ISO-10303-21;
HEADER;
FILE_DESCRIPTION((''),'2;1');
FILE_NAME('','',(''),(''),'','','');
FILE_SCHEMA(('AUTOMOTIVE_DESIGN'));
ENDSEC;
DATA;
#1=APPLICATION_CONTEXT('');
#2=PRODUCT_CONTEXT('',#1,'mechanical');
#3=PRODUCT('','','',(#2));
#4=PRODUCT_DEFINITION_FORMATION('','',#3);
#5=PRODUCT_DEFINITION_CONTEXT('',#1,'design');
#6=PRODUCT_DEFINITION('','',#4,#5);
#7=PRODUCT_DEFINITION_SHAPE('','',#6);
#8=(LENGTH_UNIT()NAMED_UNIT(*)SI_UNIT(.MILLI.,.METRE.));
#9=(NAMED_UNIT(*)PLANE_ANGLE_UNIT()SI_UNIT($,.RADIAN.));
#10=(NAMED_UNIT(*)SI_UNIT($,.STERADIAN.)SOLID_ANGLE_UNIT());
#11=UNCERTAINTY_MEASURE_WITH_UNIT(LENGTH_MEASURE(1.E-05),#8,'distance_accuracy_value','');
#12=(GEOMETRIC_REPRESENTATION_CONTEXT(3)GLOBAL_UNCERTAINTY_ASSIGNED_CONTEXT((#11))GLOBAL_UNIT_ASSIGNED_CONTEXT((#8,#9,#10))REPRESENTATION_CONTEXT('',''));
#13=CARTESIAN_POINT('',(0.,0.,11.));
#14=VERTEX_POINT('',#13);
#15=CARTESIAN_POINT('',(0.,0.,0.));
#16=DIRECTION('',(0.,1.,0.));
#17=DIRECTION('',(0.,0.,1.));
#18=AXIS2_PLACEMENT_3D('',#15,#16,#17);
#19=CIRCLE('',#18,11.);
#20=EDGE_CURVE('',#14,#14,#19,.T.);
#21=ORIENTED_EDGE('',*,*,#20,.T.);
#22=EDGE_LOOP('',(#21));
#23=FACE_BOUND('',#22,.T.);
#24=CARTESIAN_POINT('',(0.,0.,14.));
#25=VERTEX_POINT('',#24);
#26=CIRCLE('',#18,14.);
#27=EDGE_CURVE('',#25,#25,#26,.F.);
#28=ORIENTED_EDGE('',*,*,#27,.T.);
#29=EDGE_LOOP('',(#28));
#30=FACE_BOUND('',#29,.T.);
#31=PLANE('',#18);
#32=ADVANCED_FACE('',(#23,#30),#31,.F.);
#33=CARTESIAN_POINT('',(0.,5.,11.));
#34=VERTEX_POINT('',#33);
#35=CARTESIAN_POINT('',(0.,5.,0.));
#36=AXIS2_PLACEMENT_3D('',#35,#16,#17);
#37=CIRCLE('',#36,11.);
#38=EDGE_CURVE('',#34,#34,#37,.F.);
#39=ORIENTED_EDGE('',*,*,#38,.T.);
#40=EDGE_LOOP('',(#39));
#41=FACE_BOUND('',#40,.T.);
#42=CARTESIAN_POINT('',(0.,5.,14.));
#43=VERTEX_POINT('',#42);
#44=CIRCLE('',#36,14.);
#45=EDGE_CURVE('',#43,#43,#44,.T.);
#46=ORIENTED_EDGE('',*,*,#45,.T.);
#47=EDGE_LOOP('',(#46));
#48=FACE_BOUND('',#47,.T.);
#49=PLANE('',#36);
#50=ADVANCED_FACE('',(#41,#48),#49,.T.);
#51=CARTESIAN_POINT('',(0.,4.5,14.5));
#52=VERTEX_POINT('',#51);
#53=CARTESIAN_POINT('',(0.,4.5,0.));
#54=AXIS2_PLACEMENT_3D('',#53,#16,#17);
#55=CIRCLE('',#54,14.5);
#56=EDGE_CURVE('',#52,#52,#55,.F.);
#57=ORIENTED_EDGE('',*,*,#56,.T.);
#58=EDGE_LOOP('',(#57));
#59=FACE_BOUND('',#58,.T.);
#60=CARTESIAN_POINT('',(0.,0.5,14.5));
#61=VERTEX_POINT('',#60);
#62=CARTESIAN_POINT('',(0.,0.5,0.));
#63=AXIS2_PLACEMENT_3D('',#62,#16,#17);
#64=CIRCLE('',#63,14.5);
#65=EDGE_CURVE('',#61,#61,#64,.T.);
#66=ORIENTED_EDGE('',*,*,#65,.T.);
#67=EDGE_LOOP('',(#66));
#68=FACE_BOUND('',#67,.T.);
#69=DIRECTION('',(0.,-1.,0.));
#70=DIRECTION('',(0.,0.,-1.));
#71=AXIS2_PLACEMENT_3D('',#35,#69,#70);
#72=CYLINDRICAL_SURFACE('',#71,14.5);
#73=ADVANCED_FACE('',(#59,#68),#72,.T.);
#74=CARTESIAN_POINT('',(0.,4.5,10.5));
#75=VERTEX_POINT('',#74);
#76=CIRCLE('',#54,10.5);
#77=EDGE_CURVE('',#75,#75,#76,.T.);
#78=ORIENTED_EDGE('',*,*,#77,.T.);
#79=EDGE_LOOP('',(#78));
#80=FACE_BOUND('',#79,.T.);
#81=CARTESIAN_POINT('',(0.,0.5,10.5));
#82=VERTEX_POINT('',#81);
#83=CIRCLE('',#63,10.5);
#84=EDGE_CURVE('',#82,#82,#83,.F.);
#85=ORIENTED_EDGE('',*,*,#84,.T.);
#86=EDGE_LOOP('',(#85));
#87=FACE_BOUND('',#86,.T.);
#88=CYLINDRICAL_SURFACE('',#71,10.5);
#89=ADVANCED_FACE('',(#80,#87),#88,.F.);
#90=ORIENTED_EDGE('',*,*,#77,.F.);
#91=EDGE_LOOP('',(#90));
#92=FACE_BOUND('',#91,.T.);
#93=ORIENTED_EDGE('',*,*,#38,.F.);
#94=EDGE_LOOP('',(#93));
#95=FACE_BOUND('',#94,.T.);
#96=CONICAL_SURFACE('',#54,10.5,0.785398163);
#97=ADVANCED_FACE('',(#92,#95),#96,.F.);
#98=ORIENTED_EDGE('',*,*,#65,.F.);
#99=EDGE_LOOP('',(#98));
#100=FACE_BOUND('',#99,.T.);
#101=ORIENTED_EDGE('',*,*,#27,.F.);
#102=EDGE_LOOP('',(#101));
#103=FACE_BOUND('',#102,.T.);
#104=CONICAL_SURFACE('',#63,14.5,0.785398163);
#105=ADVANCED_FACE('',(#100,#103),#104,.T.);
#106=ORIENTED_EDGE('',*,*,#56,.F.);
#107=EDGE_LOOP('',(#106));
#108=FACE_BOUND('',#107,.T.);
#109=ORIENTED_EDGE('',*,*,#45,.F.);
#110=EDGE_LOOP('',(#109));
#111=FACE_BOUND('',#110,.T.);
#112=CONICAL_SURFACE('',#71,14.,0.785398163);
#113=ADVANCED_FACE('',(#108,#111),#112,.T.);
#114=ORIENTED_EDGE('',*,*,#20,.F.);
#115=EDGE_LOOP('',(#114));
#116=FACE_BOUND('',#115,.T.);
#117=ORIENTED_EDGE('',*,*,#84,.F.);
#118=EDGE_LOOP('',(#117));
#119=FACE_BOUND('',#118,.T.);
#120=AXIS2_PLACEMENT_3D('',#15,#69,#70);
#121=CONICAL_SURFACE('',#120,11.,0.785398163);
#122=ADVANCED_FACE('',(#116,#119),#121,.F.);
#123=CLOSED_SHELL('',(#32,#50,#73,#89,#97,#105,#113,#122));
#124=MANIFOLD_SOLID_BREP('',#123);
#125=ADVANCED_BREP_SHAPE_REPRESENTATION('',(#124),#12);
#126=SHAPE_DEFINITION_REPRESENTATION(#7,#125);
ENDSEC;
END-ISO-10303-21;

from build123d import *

# Parameters (mm, degrees)
SKETCH_2_R      = 14.5
SKETCH_2_R_2    = 10.5
EXTRUDE_1_DEPTH = 5
CHAMFER_1_SIZE  = 0.5


with BuildPart() as part:
    # 草图2 → 凸台-拉伸1 (new body)
    with BuildSketch(Plane(origin=(0, 0, 0), x_dir=(1, 0, 0), z_dir=(0, 1, 0))):
        Circle(SKETCH_2_R)
        Circle(SKETCH_2_R_2, mode=Mode.SUBTRACT)
    extrude(amount=EXTRUDE_1_DEPTH)

    # 倒角1
    chamfer_1_edges = [part.edges().sort_by_distance(p)[0] for p in [
        (-14.5, 0, 0),
        (-14.5, 5, 0),
        (-10.5, 0, 0),
        (-10.5, 5, 0),
    ]]
    chamfer(chamfer_1_edges, length=CHAMFER_1_SIZE)


solid = part.part
